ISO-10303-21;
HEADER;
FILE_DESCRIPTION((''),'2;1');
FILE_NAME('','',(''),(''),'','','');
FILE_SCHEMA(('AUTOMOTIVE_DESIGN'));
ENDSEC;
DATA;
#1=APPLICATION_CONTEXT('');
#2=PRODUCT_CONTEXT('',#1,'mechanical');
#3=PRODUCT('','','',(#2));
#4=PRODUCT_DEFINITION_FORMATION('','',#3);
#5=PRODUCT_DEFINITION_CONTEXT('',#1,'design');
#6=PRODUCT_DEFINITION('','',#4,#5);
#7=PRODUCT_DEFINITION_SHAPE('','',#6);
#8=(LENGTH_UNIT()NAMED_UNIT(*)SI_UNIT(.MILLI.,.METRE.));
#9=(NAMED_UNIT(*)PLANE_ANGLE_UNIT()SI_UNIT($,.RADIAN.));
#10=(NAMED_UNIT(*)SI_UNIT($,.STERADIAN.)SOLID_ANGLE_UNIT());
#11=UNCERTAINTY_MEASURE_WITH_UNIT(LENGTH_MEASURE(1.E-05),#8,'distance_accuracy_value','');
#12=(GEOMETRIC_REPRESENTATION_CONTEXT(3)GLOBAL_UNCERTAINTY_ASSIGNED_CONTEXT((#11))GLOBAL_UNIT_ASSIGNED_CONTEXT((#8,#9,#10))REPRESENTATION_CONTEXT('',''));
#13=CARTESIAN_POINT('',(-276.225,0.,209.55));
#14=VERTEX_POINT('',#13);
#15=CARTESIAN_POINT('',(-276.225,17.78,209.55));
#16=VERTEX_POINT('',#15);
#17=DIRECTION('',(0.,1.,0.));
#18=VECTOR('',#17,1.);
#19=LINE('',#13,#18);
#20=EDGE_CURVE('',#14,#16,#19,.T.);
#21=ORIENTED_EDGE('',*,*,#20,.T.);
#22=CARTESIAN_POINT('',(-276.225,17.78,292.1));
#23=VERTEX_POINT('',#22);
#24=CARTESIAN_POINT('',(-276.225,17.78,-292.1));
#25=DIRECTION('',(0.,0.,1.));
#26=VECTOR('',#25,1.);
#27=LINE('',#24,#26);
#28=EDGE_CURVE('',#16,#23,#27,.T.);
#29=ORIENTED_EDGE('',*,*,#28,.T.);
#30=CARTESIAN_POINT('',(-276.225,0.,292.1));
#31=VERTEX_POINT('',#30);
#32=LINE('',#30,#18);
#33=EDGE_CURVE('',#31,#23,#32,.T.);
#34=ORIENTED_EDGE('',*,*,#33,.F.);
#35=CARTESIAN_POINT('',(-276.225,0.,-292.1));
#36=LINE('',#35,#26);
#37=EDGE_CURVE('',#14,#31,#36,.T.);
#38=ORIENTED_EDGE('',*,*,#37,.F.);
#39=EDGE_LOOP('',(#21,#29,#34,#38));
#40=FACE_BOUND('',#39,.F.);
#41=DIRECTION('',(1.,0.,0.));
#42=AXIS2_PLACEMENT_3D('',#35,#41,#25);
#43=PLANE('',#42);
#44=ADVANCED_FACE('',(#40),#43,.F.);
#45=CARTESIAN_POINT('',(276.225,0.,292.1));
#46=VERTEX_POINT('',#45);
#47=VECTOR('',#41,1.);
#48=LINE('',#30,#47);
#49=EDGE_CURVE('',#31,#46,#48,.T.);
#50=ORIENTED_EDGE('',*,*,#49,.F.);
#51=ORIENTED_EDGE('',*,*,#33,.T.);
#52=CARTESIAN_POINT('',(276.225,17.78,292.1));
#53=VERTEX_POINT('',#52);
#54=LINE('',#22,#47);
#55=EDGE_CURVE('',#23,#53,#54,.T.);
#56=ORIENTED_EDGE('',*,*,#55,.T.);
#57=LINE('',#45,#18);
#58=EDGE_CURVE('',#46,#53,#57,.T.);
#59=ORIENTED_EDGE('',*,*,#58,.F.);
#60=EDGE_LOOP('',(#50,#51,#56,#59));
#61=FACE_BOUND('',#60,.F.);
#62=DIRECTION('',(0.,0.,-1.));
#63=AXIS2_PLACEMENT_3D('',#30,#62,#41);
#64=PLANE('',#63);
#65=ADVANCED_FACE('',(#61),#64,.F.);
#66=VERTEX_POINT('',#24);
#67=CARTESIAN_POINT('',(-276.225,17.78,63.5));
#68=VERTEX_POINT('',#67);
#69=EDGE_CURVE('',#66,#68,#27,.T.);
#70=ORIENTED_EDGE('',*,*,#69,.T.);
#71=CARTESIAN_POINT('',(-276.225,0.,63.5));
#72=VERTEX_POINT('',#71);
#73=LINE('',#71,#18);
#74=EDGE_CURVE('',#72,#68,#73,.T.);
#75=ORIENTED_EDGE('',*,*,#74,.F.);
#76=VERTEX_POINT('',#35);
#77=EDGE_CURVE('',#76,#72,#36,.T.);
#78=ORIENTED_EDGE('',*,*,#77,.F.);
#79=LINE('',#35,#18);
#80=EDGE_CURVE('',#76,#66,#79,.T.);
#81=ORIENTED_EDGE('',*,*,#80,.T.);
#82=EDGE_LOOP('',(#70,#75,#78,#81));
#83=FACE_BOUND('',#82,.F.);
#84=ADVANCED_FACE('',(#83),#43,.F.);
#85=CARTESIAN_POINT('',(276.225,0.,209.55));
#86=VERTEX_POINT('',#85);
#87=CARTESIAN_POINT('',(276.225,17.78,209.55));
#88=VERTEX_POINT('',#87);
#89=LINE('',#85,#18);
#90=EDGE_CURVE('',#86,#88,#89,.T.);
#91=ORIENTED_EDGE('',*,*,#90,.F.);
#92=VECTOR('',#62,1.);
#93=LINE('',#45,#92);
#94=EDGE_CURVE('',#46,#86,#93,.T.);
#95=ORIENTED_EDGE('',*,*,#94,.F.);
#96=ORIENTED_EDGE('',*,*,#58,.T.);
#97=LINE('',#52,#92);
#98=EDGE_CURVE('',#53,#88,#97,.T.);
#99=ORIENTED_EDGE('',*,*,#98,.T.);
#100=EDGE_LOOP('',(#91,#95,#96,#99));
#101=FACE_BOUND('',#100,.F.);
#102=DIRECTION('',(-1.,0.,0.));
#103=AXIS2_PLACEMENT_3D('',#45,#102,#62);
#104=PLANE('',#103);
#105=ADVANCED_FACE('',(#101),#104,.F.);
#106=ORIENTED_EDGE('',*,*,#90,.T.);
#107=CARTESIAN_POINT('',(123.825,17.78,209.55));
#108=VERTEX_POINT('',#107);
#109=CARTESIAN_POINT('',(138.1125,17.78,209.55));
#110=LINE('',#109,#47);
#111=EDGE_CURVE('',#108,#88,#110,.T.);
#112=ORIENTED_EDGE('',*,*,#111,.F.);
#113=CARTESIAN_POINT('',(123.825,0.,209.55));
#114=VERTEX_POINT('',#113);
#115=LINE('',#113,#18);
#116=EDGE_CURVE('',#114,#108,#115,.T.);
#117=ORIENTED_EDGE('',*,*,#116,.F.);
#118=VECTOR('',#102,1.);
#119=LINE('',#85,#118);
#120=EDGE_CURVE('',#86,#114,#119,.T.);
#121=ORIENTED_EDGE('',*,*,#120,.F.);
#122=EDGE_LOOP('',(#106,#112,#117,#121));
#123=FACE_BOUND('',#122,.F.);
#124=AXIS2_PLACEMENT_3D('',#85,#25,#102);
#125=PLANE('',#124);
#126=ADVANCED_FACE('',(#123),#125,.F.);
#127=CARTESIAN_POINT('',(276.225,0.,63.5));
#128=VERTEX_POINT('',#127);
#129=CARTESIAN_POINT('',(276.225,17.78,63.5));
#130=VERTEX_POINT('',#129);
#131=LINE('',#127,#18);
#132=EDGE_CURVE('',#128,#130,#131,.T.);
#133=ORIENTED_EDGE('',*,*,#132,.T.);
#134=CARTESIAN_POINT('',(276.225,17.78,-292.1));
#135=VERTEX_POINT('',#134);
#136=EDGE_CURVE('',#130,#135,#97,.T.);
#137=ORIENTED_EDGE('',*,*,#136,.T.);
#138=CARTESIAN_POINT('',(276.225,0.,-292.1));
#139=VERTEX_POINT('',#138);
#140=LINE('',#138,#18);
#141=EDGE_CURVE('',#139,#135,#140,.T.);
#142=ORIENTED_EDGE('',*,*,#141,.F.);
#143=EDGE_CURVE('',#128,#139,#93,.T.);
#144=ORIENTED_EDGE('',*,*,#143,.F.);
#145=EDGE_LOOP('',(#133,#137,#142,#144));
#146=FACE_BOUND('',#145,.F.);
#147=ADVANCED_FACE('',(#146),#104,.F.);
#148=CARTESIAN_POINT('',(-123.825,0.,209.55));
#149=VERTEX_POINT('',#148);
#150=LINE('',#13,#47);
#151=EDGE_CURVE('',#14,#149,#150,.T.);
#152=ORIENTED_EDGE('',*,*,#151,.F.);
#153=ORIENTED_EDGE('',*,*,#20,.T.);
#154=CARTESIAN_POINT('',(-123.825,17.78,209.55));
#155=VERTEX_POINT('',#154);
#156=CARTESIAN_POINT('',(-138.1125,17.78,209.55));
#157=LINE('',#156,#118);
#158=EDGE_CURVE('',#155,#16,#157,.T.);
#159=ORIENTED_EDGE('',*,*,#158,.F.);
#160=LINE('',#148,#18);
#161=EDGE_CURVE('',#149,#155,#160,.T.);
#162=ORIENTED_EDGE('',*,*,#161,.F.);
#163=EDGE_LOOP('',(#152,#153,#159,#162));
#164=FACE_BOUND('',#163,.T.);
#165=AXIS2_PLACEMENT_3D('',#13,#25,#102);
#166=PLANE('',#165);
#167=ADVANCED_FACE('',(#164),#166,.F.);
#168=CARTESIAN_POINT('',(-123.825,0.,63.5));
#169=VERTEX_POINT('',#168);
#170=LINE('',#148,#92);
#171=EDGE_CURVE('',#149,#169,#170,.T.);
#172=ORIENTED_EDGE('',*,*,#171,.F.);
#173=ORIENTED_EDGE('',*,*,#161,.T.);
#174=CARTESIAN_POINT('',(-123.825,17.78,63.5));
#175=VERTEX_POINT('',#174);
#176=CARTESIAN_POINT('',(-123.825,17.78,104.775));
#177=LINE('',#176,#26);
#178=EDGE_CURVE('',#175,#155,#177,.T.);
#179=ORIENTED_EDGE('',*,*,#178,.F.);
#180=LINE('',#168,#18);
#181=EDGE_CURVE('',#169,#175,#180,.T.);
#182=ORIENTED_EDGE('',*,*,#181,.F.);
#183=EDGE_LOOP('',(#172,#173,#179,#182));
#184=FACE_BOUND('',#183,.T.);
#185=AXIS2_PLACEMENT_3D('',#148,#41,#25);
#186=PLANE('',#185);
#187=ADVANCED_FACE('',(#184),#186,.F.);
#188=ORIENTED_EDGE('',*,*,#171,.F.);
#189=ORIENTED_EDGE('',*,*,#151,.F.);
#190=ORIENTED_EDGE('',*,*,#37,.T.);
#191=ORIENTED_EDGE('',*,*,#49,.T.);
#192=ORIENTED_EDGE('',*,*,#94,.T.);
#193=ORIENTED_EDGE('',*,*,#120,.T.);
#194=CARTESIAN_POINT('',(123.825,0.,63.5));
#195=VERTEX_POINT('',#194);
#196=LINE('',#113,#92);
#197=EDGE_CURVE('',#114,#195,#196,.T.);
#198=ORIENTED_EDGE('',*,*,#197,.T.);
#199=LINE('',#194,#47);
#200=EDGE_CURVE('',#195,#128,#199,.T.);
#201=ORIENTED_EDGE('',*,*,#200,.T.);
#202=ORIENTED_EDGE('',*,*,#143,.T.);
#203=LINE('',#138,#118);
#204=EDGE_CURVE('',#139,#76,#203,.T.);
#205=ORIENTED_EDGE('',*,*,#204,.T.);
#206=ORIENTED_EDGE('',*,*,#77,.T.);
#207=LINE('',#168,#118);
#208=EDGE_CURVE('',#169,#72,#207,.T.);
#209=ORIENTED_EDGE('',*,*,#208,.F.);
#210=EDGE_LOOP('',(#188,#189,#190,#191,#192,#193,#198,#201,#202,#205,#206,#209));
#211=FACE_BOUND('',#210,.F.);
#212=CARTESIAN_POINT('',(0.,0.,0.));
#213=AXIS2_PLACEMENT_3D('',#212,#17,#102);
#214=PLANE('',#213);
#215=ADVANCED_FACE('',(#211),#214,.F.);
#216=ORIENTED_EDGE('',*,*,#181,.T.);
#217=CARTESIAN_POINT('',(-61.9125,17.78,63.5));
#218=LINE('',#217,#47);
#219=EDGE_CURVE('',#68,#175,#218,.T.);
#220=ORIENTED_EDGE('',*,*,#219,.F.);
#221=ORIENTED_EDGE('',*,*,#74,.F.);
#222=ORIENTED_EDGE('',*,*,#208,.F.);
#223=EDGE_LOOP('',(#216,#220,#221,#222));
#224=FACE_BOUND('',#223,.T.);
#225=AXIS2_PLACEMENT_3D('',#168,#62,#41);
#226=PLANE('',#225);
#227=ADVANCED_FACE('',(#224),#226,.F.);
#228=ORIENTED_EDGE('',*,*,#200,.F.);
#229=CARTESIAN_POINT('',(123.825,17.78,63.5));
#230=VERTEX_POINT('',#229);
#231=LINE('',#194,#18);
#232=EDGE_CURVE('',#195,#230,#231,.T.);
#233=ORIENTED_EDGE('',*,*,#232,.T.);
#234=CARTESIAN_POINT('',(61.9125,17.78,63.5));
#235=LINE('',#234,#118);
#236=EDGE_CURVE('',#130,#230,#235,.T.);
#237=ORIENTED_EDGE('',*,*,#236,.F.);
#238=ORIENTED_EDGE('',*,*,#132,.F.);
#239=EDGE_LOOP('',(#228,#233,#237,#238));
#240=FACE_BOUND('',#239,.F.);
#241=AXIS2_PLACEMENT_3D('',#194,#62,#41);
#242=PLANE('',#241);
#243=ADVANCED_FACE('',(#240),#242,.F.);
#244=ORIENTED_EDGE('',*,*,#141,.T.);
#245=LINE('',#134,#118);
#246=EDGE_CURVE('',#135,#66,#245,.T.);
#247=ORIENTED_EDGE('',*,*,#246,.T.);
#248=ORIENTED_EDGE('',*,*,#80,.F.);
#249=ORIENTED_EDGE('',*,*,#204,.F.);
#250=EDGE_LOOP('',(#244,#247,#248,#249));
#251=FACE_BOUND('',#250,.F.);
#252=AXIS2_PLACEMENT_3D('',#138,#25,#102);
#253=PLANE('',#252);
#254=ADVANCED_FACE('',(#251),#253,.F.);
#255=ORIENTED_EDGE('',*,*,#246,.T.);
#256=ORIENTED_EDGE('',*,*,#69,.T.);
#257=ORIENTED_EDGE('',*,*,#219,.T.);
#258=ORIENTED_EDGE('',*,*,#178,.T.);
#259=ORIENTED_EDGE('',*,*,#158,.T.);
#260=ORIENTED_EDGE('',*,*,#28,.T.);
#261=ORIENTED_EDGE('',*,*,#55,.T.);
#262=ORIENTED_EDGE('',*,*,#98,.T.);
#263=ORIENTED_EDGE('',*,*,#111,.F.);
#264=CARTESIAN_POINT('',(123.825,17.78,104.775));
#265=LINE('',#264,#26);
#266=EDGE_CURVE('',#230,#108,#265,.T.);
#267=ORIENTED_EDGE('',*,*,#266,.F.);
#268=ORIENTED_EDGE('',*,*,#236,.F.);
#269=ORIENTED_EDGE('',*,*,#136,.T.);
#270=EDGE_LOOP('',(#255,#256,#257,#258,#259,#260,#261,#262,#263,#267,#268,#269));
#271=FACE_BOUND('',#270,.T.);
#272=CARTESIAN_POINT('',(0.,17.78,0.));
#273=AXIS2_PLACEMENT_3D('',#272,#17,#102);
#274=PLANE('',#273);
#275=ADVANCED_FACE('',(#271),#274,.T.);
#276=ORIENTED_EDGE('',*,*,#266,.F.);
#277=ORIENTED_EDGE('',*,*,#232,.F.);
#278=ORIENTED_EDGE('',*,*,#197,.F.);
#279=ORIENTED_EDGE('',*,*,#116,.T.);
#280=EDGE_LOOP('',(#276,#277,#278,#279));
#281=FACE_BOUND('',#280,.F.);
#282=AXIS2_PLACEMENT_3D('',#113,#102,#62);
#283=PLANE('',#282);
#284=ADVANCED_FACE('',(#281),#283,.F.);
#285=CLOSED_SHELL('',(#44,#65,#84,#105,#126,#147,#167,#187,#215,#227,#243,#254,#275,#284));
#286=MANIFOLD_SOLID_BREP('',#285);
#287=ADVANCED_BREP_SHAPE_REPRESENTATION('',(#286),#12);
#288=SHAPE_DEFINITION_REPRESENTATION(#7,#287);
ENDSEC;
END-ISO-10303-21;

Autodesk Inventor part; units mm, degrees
ref_plane "YZ Plane" through (0, 0, 0) normal (1, 0, 0) x (0, 1, 0)
ref_plane "XZ Plane" through (0, 0, 0) normal (0, 1, 0) x (-1, 0, 0)
ref_plane "XY Plane" through (0, 0, 0) normal (0, 0, 1) x (1, 0, 0)
sketch "Sketch1" plane through (0, 0, 0) normal (0, 1, 0) x (-1, 0, 0)
  line L0 (-276.225, 292.1) -> (-276.225, -292.1)
  line L1 (-276.225, -292.1) -> (276.225, -292.1)
  line L2 (276.225, -292.1) -> (276.225, 292.1)
  line L3 (276.225, 292.1) -> (-276.225, 292.1)
  line L4 (-276.225, 292.1) -> (276.225, -292.1) construction
  line L5 (-276.225, -292.1) -> (276.225, 292.1) construction
  point P0 (0, 0)
  dimension "baseLength" = 584.2
  dimension "baseWidth" = 552.45
extrude "Extrusion1" add sketch "Sketch1" along normal blind 17.78
sketch "Sketch2" plane through (0, 0, 0) normal (0, -1, 0) x (1, 0, 0)
  line L0 (276.225, 292.1) -> (276.225, -292.1) projected
  line L1 (276.225, 209.55) -> (123.825, 209.55)
  line L2 (123.825, 209.55) -> (123.825, 63.5)
  line L3 (123.825, 63.5) -> (276.225, 63.5)
  line L4 (276.225, 63.5) -> (276.225, 209.55)
  line L5 (-276.225, 292.1) -> (276.225, 292.1) projected
  point P0 (0, 0)
  dimension "backToEndOfGearBox" = 82.55
  dimension "backToFrontOfGearBox" = 228.6
  dimension "wdithForGearBox" = 152.4
extrude "Extrusion2" cut sketch "Sketch2" against normal through all
mirror "Mirror1" about plane through (0, 0, 0) normal (1, 0, 0) of "Extrusion2"
equation "\"spaceingAlongSides\" = 3.175"
equation "\"distanceFromBackForEndBolt\" = 38.1"
equation "\"spacingForBolt\" = 25.4"
equation "\"widthOfSpacingForBolt\" = 12.7"
equation "\"lengthOfSpacingForBolt\" = 25.4"
properties part number "RhinoBottomFloorPlate03" material "Wood (Birch)"
